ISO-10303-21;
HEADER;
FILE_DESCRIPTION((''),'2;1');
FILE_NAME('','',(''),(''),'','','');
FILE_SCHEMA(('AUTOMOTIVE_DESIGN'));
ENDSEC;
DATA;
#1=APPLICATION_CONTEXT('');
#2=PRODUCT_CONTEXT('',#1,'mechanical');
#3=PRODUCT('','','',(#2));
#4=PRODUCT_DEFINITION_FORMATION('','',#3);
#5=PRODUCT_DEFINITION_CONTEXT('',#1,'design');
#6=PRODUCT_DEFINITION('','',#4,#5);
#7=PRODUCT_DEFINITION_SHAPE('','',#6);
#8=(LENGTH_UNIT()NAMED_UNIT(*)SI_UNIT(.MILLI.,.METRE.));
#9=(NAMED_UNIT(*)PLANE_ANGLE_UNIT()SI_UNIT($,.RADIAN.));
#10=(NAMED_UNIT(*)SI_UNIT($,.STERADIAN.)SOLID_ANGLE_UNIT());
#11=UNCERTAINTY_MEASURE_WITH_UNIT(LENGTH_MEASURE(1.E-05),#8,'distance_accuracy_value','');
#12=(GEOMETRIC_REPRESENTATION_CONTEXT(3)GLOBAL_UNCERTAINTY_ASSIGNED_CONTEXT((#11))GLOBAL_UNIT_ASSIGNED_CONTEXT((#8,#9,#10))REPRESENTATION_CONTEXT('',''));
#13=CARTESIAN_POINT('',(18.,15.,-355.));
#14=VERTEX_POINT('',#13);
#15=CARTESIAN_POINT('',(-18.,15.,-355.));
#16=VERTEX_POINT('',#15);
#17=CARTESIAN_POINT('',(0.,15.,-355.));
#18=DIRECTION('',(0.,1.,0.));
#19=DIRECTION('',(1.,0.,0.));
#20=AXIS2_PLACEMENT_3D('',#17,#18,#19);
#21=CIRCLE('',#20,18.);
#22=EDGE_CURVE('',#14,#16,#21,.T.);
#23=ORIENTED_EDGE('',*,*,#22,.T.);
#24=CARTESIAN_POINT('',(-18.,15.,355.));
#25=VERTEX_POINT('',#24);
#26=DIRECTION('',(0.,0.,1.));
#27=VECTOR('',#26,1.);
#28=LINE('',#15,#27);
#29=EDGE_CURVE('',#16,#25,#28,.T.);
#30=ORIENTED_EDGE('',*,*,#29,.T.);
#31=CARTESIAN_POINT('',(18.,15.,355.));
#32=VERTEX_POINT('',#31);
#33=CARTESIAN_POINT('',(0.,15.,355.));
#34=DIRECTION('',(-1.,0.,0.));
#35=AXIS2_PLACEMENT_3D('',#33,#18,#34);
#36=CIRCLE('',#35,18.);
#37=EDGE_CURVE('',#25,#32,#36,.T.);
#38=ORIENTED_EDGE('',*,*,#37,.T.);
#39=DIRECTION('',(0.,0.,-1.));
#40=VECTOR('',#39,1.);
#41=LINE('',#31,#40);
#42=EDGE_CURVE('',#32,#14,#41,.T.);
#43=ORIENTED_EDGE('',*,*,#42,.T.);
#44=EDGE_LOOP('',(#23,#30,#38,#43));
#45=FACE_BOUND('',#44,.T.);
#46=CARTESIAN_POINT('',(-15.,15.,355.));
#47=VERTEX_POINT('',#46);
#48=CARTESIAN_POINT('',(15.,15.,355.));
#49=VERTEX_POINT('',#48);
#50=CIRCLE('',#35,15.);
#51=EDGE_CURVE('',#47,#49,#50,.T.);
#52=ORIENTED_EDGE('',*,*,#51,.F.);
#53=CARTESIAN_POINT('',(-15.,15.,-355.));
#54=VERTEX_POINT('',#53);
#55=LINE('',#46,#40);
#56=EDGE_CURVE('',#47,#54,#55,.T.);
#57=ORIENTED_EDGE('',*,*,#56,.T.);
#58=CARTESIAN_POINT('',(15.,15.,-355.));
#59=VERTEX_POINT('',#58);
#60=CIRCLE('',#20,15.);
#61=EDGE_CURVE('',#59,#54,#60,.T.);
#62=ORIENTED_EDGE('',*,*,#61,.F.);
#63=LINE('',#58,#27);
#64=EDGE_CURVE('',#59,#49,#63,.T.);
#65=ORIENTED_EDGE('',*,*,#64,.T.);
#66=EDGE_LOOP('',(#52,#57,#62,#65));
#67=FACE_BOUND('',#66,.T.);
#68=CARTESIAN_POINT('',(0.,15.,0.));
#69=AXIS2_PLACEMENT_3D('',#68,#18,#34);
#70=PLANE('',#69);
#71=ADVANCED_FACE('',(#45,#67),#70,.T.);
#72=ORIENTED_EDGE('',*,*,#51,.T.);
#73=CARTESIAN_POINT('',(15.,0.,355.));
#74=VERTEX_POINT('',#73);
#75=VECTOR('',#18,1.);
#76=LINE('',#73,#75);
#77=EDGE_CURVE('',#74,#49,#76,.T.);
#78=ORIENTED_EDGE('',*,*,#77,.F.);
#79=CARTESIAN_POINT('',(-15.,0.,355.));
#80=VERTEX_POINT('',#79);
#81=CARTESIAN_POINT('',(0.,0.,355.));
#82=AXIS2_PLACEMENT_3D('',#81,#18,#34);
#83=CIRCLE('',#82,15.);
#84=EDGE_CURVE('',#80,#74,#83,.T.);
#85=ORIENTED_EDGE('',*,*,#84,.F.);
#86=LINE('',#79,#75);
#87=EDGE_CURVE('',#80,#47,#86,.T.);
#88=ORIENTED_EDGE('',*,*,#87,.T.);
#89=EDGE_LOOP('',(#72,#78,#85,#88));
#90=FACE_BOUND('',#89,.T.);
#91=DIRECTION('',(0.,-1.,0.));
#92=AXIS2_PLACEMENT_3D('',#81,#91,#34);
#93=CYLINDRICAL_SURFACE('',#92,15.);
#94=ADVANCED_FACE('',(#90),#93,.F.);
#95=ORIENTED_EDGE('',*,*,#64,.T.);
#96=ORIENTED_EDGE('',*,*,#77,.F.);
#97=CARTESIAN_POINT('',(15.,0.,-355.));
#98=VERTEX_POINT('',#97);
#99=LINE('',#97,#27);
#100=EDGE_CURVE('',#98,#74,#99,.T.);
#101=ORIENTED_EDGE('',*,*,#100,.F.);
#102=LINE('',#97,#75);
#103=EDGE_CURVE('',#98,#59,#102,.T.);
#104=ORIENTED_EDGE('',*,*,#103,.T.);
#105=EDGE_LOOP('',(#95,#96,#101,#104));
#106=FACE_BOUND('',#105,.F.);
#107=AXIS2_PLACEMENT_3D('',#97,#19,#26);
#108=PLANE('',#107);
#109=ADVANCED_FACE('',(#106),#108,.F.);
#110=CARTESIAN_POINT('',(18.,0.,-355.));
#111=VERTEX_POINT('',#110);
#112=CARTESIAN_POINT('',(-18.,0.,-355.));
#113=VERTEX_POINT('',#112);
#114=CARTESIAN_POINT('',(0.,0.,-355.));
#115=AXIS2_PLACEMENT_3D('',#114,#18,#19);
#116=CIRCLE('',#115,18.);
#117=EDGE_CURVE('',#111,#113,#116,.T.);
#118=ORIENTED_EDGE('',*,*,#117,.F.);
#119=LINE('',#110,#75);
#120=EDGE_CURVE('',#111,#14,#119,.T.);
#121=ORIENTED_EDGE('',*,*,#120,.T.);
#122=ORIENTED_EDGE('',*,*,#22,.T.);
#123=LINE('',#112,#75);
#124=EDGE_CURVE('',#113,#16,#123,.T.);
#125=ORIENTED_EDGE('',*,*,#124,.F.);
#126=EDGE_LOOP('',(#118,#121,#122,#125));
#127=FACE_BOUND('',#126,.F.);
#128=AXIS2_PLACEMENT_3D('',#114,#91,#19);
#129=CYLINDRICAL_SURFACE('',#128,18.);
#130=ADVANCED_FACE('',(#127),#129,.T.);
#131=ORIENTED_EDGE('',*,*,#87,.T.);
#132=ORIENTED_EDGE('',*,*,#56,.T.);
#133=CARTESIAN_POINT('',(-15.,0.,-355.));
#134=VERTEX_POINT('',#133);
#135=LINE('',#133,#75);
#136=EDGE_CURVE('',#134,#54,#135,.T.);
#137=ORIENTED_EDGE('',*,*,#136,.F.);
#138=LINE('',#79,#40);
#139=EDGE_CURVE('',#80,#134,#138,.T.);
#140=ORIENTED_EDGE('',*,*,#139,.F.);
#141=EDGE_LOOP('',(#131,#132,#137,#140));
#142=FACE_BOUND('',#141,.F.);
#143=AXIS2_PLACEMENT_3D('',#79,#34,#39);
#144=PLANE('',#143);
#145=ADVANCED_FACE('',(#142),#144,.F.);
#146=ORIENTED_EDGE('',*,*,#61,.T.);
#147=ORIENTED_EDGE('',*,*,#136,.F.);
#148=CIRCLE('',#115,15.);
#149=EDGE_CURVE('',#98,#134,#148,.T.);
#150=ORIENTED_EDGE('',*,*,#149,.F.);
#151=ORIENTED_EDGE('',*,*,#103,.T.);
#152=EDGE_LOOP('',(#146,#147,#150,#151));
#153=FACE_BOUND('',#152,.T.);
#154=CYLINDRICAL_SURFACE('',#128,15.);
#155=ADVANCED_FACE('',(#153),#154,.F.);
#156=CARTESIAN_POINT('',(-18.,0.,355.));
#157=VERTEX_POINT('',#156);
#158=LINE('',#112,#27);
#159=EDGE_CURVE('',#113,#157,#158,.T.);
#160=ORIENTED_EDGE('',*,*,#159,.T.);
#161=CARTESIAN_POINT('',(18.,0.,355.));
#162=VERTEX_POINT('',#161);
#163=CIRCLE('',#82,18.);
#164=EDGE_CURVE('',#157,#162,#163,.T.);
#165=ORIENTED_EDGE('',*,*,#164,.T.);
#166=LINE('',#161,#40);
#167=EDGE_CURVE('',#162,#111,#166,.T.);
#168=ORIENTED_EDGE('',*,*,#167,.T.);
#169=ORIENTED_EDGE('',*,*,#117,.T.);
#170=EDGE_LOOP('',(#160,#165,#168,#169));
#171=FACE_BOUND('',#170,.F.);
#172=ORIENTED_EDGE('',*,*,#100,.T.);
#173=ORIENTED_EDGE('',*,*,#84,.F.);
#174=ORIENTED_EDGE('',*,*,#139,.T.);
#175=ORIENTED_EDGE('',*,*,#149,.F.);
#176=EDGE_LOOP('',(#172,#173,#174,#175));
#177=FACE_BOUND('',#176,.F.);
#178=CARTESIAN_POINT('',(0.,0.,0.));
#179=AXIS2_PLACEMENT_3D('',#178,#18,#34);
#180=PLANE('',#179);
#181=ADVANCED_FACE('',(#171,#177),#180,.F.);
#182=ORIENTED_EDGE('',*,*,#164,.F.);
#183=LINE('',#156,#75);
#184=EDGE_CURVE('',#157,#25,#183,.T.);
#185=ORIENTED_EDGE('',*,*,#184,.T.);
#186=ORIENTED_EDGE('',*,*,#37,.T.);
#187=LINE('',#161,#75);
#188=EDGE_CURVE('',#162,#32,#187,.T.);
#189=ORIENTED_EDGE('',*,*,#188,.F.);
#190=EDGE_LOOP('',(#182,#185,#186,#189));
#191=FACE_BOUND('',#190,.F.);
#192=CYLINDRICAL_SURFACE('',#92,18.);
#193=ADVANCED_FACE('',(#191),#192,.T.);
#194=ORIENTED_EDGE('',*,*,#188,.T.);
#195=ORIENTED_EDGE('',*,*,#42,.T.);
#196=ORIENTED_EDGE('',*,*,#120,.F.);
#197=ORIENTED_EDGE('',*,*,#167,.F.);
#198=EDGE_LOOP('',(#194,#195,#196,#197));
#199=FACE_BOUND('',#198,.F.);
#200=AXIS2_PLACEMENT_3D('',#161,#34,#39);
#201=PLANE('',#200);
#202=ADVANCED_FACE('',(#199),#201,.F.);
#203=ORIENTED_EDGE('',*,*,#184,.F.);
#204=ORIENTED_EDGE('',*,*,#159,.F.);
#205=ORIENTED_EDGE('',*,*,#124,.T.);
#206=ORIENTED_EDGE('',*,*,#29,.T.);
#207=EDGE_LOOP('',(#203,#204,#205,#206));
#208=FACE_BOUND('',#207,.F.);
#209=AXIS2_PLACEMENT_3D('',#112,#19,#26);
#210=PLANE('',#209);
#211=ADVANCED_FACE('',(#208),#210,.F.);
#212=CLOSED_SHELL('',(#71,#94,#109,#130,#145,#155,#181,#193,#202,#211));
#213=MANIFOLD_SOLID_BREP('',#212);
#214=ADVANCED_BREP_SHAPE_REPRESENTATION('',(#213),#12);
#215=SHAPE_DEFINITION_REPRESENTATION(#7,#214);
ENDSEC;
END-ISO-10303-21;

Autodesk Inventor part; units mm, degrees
ref_plane "YZ Plane" through (0, 0, 0) normal (1, 0, 0) x (0, 1, 0)
ref_plane "XZ Plane" through (0, 0, 0) normal (0, 1, 0) x (-1, 0, 0)
ref_plane "XY Plane" through (0, 0, 0) normal (0, 0, 1) x (1, 0, 0)
sketch "Sketch1" plane through (0, 0, 0) normal (0, 1, 0) x (-1, 0, 0)
  line L0 (0, 370) -> (0, -370) construction
  line L1 (15, 355) -> (15, -355)
  line L2 (-15, -355) -> (-15, 355)
  arc A0 (15, 355) -> (-15, 355) centre (0, 355) ccw
  arc A1 (-15, -355) -> (15, -355) centre (0, -355) ccw
  line L3 (18, -355) -> (18, 355)
  arc A2 (18, 355) -> (-18, 355) centre (0, 355) ccw
  line L4 (-18, 355) -> (-18, -355)
  arc A3 (-18, -355) -> (18, -355) centre (0, -355) ccw
  point P0 (0, 0)
  point P1 (0, 0)
  dimension "d0" = 15
  dimension "d1" = 710
  dimension "d2" = 3
extrude "Extrusion1" add sketch "Sketch1" along normal blind 15
properties part number "X_Zahnriemen"
